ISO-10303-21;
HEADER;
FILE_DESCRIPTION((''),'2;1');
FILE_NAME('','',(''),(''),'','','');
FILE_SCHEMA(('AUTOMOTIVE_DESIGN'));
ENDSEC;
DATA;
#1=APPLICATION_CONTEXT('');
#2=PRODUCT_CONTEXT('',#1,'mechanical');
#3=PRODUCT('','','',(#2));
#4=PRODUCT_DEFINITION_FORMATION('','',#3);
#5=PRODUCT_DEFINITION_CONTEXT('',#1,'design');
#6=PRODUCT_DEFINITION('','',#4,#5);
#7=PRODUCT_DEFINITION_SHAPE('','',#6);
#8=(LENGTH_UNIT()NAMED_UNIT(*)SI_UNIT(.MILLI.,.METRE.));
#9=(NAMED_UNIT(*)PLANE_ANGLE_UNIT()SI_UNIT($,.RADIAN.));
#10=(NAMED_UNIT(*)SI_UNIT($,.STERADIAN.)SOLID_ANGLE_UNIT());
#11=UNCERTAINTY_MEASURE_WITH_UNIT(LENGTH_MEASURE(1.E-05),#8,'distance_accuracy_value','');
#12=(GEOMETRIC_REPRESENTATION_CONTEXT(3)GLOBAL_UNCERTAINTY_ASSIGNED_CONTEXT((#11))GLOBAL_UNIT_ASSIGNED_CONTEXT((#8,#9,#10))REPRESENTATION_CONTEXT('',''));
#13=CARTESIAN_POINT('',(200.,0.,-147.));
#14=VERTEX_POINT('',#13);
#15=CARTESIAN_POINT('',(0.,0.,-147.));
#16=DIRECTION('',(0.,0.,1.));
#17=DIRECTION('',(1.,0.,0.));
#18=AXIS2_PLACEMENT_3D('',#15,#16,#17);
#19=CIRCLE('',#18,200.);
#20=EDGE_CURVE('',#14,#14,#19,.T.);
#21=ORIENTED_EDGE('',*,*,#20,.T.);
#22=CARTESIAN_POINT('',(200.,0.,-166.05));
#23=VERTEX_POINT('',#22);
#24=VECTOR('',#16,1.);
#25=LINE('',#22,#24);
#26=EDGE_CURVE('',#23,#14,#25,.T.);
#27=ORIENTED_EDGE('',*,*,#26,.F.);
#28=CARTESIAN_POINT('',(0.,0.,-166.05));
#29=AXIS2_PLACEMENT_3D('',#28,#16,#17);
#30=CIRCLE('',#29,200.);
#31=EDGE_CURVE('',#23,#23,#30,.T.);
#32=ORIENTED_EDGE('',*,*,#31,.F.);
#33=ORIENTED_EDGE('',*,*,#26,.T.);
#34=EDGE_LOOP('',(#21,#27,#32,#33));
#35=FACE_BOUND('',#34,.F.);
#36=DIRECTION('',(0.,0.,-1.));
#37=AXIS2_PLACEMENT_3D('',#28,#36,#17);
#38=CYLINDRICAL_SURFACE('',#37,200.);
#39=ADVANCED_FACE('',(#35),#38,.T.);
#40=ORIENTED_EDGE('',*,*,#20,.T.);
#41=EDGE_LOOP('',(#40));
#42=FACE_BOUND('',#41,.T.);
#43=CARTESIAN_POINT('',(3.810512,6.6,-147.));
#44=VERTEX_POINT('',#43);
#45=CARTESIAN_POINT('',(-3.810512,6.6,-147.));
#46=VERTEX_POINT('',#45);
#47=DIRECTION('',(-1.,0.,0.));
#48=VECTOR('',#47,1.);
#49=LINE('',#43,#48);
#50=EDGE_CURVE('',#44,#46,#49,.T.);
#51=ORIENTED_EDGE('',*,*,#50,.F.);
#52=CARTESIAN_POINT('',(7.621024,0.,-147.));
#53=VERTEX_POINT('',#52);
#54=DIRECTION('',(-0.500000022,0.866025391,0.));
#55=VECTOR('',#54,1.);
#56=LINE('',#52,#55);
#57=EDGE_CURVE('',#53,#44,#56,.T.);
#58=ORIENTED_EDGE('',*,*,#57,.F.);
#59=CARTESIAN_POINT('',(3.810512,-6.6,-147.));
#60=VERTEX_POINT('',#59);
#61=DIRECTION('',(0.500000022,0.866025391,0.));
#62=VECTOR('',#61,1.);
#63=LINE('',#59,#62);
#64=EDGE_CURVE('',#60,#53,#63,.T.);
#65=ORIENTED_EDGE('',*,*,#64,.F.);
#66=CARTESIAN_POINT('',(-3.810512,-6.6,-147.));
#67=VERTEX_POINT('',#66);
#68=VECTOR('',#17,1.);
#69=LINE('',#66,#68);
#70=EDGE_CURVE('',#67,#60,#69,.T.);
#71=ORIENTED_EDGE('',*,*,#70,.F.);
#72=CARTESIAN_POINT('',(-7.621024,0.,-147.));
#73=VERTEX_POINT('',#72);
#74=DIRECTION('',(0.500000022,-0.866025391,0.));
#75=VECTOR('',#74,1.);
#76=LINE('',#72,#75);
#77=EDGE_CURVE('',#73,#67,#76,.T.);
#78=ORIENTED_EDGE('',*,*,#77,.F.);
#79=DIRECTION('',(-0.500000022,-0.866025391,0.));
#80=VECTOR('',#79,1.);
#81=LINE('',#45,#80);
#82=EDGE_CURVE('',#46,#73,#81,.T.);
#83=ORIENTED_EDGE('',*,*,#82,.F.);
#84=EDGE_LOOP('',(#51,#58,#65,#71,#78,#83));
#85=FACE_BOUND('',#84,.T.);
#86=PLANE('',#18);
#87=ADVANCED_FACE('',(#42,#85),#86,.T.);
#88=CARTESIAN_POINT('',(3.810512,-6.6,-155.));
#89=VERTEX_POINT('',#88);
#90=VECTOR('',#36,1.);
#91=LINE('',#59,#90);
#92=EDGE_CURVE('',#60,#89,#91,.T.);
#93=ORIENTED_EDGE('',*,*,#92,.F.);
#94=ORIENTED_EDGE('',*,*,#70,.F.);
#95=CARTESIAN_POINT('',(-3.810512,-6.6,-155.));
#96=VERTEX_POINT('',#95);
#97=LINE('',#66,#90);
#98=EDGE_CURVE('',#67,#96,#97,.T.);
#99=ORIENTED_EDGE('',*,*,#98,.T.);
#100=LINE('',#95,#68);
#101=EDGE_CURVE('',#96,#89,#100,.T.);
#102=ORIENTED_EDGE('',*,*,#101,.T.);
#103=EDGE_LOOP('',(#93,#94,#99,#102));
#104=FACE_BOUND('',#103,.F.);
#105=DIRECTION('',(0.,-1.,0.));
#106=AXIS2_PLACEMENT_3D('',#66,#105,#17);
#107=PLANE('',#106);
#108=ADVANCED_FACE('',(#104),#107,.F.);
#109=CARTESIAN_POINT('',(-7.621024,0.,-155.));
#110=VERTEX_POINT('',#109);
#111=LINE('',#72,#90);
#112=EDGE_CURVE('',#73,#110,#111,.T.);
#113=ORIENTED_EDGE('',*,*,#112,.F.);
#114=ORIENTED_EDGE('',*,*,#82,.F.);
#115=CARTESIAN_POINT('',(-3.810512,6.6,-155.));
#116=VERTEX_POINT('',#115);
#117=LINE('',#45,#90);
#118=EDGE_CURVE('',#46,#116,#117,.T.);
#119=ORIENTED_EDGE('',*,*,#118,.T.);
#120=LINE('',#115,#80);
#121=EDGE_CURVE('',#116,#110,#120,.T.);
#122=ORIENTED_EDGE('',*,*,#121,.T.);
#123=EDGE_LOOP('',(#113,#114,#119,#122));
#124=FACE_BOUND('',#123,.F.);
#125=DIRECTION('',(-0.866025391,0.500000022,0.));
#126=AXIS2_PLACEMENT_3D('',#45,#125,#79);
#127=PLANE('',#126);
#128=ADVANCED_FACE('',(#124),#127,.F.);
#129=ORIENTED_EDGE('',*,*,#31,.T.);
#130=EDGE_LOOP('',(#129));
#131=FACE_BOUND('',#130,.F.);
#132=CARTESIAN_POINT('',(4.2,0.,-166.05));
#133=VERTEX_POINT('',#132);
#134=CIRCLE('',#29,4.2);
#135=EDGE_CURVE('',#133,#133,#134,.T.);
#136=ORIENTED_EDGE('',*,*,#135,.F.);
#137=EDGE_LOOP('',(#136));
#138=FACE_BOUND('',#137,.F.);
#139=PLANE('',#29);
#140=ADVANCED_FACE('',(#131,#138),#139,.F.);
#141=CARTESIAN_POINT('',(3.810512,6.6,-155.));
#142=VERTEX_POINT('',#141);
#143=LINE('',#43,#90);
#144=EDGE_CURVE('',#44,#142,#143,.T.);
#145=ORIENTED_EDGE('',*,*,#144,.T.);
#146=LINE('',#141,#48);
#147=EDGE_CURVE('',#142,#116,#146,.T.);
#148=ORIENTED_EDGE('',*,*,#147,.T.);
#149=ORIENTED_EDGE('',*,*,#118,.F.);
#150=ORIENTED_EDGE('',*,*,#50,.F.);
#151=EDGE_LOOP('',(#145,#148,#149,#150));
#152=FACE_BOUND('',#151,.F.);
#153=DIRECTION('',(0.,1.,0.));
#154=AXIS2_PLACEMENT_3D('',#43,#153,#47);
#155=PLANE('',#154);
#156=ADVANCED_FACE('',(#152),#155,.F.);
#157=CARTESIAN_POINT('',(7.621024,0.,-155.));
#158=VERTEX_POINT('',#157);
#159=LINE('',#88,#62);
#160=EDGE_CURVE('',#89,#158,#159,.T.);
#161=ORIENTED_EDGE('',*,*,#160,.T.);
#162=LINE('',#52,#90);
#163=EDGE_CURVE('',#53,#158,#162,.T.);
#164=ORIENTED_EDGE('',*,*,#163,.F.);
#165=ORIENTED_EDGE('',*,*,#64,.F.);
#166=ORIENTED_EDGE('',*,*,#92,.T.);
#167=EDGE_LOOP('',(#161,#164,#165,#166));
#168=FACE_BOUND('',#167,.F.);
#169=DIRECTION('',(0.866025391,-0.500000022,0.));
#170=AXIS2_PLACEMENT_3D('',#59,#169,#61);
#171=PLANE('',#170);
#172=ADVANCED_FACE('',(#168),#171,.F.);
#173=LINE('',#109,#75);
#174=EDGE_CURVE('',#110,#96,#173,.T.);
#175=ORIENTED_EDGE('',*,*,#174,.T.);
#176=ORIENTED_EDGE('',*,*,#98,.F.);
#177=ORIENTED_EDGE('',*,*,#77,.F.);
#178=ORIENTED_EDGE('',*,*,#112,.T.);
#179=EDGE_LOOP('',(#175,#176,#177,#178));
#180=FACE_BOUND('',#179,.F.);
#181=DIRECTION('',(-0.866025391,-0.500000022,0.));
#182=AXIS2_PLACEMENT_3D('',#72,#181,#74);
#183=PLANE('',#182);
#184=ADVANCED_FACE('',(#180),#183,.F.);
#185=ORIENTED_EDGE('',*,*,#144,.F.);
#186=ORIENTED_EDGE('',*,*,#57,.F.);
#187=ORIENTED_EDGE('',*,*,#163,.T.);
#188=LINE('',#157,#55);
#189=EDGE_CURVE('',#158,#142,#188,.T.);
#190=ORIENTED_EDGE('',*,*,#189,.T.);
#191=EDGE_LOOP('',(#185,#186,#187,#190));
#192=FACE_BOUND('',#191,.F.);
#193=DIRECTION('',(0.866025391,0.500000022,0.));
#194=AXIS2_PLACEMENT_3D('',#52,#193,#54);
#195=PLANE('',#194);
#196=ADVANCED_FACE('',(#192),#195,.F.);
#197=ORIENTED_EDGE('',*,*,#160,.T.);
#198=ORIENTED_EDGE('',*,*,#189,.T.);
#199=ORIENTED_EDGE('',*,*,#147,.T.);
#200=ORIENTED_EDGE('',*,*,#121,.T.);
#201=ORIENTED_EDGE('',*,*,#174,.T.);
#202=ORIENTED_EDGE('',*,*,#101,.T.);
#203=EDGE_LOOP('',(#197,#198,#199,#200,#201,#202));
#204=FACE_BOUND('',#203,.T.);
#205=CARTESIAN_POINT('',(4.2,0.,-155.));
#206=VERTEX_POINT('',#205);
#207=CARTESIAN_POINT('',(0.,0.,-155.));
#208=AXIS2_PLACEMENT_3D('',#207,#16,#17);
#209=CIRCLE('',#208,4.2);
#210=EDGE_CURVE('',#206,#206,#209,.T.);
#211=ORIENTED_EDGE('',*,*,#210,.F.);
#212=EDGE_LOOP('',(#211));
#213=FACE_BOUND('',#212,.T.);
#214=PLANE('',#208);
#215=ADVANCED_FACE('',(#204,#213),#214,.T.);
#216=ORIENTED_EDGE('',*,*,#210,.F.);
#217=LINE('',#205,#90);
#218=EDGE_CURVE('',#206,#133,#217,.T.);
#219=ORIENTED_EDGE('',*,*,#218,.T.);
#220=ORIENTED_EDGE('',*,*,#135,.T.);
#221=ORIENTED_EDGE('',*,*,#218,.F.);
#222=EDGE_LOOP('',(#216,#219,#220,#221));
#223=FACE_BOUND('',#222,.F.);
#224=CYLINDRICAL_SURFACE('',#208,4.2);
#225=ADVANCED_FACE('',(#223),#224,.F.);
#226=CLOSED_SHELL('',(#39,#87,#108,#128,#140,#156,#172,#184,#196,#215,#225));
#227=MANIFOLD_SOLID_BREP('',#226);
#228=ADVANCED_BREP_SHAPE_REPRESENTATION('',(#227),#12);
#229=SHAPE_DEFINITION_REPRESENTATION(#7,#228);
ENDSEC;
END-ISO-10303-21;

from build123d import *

# Parameters (mm, degrees)
CYLINDER006_R     = 200
CYLINDER006_DEPTH = 19.05
POCKET045_DEPTH   = 8
SKETCH106_R       = 4.2
HOLE037_DEPTH     = 11.051


with BuildPart() as part:
    # Cylinder006 → Cylinder006 (join)
    with BuildSketch(Plane.XY.offset(-19.05)):
        Circle(CYLINDER006_R)
    extrude(amount=CYLINDER006_DEPTH)

    # Sketch105 (on Face3 of Cylinder006) → Pocket045 (cut)
    with BuildSketch(Plane.XY):
        Polygon((3.810512, -6.6), (7.621024, 0), (3.810512, 6.6), (-3.810512, 6.6), (-7.621024, 0), (-3.810512, -6.6), align=None)
    extrude(amount=-POCKET045_DEPTH, mode=Mode.SUBTRACT)

    # Sketch106 (on Face10 of Pocket045) → Hole037 (cut, through all)
    with BuildSketch(Plane.XY.offset(-8)):
        Circle(SKETCH106_R)
    extrude(amount=-HOLE037_DEPTH, mode=Mode.SUBTRACT)


with BuildPart() as part_1:
    # Body022020 placement: moved
    add(part.part.moved(Location((0, 0, -147))))


solid = part_1.part
